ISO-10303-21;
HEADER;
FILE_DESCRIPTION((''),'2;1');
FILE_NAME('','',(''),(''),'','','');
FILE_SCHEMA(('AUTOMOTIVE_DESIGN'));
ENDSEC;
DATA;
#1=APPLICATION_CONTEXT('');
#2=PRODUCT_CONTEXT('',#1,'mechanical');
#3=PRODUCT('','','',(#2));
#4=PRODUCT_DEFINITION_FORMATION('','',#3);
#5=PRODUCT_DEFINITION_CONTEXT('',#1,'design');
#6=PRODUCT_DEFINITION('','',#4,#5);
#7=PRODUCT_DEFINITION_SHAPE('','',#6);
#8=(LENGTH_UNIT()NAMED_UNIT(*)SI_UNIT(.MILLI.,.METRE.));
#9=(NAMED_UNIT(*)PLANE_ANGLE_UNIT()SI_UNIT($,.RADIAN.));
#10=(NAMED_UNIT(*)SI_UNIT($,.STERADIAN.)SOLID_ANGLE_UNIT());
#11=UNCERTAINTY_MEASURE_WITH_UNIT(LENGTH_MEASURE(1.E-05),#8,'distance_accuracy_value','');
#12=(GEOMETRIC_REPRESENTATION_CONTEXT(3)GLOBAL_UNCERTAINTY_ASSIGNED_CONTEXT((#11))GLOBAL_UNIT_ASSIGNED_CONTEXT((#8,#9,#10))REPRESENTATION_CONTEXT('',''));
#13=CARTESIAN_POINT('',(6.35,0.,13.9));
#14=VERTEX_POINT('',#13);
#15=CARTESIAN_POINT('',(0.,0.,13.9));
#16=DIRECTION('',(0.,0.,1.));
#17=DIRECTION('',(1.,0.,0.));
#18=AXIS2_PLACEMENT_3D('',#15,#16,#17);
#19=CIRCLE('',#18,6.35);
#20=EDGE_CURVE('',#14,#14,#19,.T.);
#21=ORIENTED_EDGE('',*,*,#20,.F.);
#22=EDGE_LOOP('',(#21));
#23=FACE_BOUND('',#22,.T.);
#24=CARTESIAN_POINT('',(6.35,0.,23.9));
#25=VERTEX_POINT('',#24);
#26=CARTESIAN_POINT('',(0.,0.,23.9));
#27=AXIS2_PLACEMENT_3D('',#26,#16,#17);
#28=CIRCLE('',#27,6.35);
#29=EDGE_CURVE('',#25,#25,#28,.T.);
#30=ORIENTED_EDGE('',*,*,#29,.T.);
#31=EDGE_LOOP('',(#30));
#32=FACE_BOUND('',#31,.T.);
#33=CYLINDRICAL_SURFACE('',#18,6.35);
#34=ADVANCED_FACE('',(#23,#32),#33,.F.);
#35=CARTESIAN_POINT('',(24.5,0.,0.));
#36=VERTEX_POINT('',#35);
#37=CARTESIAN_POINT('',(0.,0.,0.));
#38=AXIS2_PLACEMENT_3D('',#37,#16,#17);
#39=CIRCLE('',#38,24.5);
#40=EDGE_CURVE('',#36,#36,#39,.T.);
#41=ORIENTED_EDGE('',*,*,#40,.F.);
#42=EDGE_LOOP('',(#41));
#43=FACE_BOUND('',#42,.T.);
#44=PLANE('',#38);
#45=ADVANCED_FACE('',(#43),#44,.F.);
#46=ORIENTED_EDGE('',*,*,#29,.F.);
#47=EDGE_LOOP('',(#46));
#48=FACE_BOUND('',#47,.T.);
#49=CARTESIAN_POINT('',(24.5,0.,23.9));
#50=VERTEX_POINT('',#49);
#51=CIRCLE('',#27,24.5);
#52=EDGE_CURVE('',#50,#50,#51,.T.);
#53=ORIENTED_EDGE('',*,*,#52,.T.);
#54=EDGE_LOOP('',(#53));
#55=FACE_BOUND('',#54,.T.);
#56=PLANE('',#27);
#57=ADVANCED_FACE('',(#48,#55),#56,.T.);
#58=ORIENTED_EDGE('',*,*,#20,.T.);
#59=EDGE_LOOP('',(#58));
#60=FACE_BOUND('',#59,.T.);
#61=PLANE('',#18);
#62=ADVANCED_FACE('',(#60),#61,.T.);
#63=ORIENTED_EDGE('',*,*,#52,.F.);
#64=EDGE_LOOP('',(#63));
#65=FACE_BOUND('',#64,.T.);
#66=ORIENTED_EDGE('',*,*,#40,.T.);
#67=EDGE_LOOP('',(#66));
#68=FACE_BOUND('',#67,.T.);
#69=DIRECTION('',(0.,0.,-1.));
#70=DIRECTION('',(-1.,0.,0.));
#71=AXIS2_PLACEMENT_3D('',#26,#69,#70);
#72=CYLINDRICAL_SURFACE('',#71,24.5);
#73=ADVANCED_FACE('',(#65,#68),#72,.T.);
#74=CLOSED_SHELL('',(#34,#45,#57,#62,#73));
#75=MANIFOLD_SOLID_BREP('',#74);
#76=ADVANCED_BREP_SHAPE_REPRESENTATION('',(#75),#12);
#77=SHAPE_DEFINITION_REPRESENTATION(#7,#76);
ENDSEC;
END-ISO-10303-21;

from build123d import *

# Parameters (mm, degrees)
SKETCH_1_R          = 24.5
EXTRUDE_1_DEPTH     = 23.9
SKETCH_2_R          = 6.35
CUT_EXTRUDE_1_DEPTH = 10


with BuildPart() as part:
    # 草图1 → 凸台-拉伸1 (new body)
    with BuildSketch(Plane.XY):
        Circle(SKETCH_1_R)
    extrude(amount=EXTRUDE_1_DEPTH)

    # 草图2 → 切除-拉伸1 (cut)
    with BuildSketch(Plane.XY.offset(23.9)):
        Circle(SKETCH_2_R)
    extrude(amount=-CUT_EXTRUDE_1_DEPTH, mode=Mode.SUBTRACT)


solid = part.part
